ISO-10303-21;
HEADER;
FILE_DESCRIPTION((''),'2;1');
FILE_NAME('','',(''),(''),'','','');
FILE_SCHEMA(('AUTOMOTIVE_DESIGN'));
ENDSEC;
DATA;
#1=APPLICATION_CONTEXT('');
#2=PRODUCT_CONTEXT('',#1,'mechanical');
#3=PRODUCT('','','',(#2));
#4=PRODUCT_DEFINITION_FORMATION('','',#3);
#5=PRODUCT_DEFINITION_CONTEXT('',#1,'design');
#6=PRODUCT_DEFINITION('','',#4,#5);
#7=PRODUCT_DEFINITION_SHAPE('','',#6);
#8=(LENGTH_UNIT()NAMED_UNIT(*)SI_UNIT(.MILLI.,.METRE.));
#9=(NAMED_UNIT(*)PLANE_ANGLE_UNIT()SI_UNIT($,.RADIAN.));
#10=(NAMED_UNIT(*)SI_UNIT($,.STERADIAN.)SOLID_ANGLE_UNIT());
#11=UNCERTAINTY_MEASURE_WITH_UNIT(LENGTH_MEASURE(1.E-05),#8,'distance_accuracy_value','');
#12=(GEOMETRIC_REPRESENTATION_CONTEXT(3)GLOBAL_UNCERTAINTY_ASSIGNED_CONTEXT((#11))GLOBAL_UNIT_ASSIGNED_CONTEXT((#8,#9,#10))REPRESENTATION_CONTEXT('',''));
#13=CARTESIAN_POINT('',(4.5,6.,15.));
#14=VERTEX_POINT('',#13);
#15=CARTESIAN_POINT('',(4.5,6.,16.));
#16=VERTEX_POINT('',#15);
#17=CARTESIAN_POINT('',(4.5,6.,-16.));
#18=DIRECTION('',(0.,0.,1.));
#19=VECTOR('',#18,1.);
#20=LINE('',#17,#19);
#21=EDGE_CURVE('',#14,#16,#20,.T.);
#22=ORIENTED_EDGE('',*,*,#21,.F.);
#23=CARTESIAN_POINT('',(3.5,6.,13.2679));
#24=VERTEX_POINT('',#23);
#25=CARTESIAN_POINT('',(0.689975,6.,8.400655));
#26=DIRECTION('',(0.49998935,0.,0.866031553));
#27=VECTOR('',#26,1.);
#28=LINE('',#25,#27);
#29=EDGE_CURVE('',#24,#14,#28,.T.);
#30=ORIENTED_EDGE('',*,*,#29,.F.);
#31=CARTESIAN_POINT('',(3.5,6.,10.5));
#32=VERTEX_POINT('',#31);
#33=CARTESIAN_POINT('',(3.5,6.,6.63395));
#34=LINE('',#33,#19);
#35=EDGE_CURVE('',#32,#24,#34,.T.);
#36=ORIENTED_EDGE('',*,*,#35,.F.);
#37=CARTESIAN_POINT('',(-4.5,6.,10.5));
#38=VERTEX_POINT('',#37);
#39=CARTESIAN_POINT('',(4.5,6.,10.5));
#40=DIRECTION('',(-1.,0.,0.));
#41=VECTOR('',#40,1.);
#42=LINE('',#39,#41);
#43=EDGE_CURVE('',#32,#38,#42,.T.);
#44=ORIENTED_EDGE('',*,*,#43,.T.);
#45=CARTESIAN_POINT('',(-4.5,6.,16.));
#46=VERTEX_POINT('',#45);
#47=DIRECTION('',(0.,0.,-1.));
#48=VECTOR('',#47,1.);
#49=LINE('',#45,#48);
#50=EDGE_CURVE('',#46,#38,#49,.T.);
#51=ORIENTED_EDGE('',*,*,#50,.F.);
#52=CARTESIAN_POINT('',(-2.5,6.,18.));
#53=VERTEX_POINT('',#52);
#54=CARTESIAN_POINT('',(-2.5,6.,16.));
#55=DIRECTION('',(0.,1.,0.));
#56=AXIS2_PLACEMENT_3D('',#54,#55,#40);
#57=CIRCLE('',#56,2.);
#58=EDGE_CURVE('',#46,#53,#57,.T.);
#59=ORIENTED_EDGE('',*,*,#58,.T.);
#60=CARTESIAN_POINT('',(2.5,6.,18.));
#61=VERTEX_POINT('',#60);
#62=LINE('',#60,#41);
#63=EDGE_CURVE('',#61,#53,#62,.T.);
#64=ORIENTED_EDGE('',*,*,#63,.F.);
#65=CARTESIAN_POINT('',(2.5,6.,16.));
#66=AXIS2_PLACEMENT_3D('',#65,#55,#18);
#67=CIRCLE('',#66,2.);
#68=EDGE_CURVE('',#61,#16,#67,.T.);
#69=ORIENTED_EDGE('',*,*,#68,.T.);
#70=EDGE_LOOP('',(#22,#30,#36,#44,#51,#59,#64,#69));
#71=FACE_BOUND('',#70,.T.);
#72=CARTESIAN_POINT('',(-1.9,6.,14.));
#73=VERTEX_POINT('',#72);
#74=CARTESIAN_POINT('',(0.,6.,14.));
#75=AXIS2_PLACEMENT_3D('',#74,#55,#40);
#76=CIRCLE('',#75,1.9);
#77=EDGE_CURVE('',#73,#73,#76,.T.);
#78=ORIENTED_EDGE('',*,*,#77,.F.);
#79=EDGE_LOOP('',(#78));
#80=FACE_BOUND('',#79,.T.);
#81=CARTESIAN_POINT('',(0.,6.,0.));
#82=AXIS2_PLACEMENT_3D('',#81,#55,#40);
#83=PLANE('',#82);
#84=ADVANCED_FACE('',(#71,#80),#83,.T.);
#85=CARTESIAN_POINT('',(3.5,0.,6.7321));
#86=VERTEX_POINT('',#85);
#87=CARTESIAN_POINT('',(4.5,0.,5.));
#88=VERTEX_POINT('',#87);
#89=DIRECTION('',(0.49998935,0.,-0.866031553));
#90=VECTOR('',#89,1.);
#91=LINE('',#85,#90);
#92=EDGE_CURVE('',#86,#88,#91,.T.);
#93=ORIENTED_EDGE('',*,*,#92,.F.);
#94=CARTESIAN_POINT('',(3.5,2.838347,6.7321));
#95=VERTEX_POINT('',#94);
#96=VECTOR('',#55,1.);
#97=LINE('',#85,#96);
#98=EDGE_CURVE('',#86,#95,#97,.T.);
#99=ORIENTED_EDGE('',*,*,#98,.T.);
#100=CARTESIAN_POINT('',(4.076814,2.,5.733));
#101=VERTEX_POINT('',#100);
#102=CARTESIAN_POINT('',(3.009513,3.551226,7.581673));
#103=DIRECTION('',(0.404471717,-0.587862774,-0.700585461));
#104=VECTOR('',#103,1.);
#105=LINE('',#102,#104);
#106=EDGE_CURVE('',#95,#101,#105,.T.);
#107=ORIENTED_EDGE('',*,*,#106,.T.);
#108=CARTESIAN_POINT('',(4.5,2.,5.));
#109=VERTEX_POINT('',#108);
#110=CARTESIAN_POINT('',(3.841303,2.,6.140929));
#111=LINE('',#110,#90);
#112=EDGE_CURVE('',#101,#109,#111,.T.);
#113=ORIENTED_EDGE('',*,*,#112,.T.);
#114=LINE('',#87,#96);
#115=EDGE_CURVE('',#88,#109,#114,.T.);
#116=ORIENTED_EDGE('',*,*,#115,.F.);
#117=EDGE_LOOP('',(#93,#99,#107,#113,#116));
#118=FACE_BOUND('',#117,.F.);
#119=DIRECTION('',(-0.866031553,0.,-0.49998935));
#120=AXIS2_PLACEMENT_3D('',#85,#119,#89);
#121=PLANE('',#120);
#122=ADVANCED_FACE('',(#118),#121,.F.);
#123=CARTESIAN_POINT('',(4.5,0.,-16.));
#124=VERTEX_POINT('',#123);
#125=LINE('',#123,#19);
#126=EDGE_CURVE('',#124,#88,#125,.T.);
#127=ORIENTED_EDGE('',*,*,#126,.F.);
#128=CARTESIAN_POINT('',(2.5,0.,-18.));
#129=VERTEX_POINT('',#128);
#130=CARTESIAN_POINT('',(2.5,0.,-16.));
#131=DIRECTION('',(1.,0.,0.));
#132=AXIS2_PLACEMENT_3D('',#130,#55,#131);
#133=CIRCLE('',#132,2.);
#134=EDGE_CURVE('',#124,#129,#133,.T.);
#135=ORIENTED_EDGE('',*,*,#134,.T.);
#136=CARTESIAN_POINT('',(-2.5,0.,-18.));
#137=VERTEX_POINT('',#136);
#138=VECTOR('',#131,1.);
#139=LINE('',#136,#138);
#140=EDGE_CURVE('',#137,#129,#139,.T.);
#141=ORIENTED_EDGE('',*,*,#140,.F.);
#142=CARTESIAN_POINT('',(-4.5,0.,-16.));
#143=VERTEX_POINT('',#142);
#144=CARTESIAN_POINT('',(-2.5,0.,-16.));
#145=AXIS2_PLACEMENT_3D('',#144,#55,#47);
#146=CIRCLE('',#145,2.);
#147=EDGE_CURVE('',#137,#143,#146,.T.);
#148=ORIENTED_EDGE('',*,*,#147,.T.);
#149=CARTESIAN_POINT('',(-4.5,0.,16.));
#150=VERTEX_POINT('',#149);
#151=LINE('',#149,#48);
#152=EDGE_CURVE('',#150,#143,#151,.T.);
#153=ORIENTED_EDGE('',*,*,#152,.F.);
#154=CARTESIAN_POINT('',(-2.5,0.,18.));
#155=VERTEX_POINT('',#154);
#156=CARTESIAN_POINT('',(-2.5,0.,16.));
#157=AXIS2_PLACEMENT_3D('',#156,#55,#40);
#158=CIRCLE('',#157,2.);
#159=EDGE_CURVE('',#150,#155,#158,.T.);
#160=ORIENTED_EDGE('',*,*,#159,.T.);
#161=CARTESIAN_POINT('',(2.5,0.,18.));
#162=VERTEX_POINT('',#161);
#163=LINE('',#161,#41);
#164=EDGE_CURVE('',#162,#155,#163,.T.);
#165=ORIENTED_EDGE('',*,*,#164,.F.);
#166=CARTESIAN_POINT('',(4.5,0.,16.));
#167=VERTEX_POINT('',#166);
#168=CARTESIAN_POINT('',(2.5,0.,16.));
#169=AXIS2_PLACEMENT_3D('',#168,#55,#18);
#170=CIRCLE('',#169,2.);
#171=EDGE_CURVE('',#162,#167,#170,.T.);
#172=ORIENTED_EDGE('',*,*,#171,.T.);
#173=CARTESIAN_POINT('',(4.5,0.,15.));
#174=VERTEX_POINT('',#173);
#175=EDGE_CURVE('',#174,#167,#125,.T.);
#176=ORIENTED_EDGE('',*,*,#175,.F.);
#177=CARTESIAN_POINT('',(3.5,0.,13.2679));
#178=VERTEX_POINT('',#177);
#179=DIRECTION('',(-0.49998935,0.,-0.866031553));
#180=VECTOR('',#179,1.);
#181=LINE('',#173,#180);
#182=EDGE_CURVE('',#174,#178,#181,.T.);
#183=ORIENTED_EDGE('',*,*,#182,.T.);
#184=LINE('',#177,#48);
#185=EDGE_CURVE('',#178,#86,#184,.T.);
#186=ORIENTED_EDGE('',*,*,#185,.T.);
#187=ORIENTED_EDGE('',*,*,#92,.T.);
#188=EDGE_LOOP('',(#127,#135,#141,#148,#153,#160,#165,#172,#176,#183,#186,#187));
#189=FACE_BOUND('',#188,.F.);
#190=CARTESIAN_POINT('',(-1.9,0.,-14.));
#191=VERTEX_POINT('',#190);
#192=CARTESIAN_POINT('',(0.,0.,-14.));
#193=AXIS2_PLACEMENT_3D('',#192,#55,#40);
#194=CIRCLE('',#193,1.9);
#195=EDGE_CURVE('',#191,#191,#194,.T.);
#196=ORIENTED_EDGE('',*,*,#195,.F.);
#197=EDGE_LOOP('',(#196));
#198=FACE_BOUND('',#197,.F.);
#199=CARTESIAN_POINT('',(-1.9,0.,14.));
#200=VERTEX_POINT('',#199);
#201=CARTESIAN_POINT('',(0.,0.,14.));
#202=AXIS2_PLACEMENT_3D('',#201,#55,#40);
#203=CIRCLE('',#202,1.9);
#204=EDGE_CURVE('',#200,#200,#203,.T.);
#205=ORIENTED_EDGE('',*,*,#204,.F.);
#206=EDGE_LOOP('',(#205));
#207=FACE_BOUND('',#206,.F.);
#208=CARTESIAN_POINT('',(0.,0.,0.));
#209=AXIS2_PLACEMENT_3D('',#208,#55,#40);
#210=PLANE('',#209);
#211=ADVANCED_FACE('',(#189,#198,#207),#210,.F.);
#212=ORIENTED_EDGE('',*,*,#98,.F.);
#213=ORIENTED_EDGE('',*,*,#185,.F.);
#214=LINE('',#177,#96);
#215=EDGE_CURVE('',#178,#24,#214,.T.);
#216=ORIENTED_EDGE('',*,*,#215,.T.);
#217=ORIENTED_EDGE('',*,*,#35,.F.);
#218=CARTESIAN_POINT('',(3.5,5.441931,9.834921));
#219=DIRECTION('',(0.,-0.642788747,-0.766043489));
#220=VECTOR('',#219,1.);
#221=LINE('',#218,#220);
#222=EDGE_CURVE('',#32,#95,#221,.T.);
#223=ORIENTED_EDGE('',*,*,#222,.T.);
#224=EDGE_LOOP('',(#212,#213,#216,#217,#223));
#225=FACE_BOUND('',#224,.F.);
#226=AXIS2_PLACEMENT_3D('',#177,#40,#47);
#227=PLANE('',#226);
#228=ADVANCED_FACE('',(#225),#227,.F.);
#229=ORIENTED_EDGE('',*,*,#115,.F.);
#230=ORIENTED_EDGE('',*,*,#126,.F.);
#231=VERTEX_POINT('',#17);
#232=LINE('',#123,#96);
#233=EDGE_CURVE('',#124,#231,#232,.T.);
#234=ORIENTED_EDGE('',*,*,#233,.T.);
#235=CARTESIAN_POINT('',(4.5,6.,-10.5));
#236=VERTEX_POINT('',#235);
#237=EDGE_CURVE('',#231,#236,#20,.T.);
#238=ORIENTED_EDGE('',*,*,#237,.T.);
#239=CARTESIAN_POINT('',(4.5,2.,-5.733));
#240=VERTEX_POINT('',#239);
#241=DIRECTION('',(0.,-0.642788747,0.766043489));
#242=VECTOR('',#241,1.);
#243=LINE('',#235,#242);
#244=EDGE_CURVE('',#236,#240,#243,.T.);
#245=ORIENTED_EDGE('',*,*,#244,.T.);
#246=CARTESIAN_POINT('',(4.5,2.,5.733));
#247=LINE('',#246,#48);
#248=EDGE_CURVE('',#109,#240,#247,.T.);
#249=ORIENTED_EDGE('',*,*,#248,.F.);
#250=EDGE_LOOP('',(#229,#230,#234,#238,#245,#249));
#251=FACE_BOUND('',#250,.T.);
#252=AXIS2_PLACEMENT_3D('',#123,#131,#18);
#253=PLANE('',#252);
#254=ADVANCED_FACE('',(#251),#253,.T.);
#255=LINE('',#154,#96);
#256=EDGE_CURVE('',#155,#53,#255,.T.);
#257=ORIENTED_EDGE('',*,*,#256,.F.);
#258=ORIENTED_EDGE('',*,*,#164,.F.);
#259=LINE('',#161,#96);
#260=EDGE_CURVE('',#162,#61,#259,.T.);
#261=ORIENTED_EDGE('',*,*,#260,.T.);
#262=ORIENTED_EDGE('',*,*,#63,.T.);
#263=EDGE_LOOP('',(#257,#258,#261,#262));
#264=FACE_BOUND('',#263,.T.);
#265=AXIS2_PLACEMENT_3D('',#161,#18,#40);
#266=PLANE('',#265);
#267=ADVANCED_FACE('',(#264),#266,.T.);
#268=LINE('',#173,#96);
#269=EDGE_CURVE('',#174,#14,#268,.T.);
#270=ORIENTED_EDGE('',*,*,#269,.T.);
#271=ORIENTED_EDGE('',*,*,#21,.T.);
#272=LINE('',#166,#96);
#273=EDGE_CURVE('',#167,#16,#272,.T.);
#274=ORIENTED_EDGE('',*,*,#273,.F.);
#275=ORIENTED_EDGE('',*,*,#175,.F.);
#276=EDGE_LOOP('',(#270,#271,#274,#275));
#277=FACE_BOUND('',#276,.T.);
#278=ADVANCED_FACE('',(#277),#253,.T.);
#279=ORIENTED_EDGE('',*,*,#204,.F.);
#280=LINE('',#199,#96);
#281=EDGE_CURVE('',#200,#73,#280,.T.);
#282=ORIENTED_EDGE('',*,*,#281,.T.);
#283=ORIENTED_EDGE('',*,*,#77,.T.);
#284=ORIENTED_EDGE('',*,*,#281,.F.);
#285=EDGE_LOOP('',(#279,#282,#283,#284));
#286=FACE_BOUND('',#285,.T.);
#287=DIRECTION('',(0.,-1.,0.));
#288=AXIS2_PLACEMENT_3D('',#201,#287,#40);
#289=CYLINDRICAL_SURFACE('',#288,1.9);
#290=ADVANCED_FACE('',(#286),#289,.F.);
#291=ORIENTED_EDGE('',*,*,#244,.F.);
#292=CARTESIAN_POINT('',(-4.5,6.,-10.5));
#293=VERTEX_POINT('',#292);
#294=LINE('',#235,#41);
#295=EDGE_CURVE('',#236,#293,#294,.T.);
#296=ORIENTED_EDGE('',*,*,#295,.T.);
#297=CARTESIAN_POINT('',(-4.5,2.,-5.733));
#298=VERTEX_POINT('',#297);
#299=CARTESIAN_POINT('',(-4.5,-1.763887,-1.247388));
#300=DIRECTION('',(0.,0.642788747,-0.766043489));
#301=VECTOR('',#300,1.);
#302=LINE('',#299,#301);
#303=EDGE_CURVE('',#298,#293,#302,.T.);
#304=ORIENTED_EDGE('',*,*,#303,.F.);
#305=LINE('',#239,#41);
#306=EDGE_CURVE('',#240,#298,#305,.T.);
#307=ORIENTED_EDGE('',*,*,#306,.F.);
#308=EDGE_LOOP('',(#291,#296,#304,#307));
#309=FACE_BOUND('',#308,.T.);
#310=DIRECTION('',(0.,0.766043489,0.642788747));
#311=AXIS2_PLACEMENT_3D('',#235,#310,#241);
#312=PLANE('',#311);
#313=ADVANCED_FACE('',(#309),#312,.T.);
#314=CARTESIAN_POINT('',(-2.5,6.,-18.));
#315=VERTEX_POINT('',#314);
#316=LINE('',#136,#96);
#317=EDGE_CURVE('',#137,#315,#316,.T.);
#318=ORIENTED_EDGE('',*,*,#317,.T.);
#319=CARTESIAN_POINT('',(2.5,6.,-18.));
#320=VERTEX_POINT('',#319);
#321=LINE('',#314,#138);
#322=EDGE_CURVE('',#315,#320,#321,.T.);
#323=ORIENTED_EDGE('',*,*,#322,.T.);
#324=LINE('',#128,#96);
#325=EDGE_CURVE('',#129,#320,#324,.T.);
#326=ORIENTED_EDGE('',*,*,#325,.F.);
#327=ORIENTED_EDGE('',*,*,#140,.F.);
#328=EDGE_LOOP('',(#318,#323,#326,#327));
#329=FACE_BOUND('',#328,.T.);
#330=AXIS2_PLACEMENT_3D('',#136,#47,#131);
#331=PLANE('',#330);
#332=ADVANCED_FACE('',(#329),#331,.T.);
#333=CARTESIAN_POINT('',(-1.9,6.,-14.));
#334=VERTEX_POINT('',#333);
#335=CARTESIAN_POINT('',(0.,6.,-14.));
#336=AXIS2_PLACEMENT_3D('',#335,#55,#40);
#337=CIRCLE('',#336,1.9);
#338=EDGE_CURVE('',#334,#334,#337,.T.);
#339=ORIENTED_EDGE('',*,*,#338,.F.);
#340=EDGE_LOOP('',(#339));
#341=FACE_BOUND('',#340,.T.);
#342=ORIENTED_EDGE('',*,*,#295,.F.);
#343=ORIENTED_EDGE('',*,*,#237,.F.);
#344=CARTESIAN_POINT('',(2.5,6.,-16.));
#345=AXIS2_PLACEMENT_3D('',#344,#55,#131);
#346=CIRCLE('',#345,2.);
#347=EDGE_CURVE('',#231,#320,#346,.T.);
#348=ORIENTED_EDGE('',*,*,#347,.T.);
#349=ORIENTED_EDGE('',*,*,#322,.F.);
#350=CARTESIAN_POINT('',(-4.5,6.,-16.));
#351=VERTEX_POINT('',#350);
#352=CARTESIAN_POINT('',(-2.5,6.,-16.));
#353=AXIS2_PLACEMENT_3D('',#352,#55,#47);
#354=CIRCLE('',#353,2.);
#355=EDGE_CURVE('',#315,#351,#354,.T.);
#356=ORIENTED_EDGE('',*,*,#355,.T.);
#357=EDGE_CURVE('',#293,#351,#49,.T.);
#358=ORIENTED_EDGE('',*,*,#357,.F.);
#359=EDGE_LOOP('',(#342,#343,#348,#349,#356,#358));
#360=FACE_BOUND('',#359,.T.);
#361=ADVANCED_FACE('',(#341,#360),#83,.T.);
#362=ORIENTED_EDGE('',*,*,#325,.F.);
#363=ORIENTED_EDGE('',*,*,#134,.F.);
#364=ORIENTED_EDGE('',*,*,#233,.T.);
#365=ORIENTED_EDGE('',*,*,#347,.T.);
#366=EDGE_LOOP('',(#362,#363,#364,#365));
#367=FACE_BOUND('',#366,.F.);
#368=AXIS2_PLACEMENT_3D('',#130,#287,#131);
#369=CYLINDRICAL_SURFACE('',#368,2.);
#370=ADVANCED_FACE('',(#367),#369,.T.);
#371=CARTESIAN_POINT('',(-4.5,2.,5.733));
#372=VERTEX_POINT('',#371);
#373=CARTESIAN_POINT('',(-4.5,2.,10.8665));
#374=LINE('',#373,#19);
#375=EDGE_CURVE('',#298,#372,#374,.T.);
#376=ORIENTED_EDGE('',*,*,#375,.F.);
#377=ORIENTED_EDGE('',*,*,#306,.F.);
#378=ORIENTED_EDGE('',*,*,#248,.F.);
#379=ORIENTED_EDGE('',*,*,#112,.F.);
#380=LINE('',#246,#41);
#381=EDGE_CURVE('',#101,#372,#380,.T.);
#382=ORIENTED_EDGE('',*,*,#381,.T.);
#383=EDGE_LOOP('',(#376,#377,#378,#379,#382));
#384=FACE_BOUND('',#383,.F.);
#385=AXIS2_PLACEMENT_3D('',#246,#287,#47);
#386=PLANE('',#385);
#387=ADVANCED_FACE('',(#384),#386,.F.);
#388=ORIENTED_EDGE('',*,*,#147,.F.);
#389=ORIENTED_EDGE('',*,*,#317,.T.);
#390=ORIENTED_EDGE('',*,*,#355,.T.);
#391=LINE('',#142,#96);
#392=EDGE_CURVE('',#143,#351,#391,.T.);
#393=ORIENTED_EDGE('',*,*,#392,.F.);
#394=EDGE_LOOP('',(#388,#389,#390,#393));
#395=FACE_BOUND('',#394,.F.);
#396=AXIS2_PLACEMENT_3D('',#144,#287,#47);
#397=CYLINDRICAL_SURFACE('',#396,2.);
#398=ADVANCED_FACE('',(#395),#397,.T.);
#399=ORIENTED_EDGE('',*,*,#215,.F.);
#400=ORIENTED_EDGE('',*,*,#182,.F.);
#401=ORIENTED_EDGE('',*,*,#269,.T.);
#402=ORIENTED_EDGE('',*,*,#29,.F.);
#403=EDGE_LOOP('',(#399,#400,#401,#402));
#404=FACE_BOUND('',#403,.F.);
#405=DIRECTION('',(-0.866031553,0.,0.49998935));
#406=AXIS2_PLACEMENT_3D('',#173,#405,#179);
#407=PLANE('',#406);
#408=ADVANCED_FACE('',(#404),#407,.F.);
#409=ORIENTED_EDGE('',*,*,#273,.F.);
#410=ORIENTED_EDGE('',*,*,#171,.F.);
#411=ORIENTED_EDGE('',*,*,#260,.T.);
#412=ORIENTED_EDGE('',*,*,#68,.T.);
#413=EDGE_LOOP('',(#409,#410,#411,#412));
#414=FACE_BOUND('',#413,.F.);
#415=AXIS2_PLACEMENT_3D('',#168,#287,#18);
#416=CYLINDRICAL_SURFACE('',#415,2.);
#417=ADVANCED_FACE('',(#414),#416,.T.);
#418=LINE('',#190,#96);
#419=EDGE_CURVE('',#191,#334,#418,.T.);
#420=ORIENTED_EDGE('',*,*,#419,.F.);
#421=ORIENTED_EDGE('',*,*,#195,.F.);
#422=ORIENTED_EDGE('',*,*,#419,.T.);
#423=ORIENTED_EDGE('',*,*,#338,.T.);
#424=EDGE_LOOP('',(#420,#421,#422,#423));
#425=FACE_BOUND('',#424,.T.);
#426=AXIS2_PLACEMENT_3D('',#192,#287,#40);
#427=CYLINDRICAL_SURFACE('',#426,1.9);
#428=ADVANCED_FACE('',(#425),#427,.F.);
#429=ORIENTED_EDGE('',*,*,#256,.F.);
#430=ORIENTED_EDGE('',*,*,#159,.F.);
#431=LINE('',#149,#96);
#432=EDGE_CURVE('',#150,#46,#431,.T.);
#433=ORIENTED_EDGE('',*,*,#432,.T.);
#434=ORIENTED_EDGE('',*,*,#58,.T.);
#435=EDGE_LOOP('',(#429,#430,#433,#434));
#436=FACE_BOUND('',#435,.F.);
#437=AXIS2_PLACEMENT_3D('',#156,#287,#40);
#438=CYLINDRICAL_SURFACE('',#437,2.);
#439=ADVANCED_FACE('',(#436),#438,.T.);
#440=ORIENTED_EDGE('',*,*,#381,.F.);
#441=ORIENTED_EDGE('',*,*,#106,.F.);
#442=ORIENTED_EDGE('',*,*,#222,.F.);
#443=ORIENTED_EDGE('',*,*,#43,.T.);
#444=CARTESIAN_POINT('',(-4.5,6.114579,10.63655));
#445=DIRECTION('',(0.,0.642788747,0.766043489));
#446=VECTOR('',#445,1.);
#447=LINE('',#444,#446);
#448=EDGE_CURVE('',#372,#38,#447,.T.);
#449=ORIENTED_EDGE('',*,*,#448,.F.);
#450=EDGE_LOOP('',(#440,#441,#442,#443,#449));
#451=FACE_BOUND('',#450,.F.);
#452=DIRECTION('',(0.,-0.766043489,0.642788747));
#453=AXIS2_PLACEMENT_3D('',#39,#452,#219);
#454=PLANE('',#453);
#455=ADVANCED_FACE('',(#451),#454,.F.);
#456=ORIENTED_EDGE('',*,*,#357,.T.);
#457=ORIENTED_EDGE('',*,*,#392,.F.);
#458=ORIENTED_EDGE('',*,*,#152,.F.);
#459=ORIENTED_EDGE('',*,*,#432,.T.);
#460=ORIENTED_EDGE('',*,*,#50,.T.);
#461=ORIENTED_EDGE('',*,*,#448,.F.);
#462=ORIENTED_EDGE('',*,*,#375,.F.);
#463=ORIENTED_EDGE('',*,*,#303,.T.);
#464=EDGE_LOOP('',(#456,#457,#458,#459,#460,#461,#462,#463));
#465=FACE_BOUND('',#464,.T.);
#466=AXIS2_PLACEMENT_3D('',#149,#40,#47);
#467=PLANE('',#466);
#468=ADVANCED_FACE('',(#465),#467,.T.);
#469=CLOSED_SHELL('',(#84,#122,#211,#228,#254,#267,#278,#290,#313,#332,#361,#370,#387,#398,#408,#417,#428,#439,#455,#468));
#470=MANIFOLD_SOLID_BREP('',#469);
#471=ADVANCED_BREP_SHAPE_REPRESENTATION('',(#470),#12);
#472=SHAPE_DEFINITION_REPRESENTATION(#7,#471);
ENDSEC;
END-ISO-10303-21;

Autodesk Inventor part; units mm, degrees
ref_plane "YZ Plane" through (0, 0, 0) normal (1, 0, 0) x (0, 1, 0)
ref_plane "XZ Plane" through (0, 0, 0) normal (0, 1, 0) x (-1, 0, 0)
ref_plane "XY Plane" through (0, 0, 0) normal (0, 0, 1) x (1, 0, 0)
sketch "Sketch1" plane through (0, 0, 0) normal (0, 1, 0) x (-1, 0, 0)
  line L0 (-2.5, 18) -> (2.5, 18)
  line L1 (4.5, 16) -> (4.5, -16)
  line L2 (2.5, -18) -> (-2.5, -18)
  line L3 (-4.5, -16) -> (-4.5, 16)
  line L4 (-4.5, 18) -> (4.5, -18) construction
  line L5 (4.5, 18) -> (-4.5, -18) construction
  circle A0 centre (0, 14) radius 1.9
  line L6 (0, 14) -> (0, -14) construction
  circle A1 centre (0, -14) radius 1.9
  arc A2 (4.5, 16) -> (2.5, 18) centre (2.5, 16) ccw
  arc A3 (2.5, -18) -> (4.5, -16) centre (2.5, -16) ccw
  arc A4 (-4.5, -16) -> (-2.5, -18) centre (-2.5, -16) ccw
  arc A5 (-2.5, 18) -> (-4.5, 16) centre (-2.5, 16) ccw
  point P0 (0, 0)
  point P1 (0, 0)
  dimension "d0" = 3.8
  dimension "d1" = 28
  dimension "d2" = 36
  dimension "d3" = 9
  dimension "d4" = 2
  dimension "d5" = 2
  dimension "d6" = 2
extrude "Extrusion1" add sketch "Sketch1" along normal blind 6
sketch "Sketch2" plane through (4.5, 0, 16) normal (1, 0, 0) x (0, 0, -1)
  line L0 (32, 6) -> (0, 6) construction
  line L1 (5.5, 6) -> (10.267, 2)
  line L2 (10.267, 2) -> (16, 2)
  line L3 (16, 0) -> (16, 6) construction
  line L4 (16, 2) -> (16, 6)
  line L5 (5.5, 6) -> (16, 6)
  line L6 (0, 0) -> (32, 0) projected
  line L7 (26.5, 6) -> (21.733, 2)
  line L8 (21.733, 2) -> (16, 2)
  line L9 (26.5, 6) -> (16, 6)
  dimension "d9" = 2
  dimension "d10" = 10.5
  dimension "d11" = 40
extrude "Extrusion2" cut sketch "Sketch2" against normal through all
sketch "Sketch3" plane through (0, 0, 0) normal (0, -1, 0) x (1, 0, 0)
  line L0 (4.5, 16) -> (4.5, -16) construction
  line L1 (4.5, 15) -> (3.5, 13.2679)
  line L2 (3.5, 13.2679) -> (3.5, 6.7321)
  line L3 (3.5, 6.7321) -> (4.5, 5)
  line L4 (4.5, 15) -> (4.5, 5)
  line L5 (-2.5, 18) -> (2.5, 18) projected
  point P0 (0, 0)
  dimension "d14" = 150
  dimension "d15" = 150
  dimension "d16" = 1
  dimension "d17" = 3
  dimension "d18" = 10
extrude "Extrusion3" cut sketch "Sketch3" against normal through all
properties part number "CH_01_0033_syringe_pump_nut_mount" material "ABS Plastic"
